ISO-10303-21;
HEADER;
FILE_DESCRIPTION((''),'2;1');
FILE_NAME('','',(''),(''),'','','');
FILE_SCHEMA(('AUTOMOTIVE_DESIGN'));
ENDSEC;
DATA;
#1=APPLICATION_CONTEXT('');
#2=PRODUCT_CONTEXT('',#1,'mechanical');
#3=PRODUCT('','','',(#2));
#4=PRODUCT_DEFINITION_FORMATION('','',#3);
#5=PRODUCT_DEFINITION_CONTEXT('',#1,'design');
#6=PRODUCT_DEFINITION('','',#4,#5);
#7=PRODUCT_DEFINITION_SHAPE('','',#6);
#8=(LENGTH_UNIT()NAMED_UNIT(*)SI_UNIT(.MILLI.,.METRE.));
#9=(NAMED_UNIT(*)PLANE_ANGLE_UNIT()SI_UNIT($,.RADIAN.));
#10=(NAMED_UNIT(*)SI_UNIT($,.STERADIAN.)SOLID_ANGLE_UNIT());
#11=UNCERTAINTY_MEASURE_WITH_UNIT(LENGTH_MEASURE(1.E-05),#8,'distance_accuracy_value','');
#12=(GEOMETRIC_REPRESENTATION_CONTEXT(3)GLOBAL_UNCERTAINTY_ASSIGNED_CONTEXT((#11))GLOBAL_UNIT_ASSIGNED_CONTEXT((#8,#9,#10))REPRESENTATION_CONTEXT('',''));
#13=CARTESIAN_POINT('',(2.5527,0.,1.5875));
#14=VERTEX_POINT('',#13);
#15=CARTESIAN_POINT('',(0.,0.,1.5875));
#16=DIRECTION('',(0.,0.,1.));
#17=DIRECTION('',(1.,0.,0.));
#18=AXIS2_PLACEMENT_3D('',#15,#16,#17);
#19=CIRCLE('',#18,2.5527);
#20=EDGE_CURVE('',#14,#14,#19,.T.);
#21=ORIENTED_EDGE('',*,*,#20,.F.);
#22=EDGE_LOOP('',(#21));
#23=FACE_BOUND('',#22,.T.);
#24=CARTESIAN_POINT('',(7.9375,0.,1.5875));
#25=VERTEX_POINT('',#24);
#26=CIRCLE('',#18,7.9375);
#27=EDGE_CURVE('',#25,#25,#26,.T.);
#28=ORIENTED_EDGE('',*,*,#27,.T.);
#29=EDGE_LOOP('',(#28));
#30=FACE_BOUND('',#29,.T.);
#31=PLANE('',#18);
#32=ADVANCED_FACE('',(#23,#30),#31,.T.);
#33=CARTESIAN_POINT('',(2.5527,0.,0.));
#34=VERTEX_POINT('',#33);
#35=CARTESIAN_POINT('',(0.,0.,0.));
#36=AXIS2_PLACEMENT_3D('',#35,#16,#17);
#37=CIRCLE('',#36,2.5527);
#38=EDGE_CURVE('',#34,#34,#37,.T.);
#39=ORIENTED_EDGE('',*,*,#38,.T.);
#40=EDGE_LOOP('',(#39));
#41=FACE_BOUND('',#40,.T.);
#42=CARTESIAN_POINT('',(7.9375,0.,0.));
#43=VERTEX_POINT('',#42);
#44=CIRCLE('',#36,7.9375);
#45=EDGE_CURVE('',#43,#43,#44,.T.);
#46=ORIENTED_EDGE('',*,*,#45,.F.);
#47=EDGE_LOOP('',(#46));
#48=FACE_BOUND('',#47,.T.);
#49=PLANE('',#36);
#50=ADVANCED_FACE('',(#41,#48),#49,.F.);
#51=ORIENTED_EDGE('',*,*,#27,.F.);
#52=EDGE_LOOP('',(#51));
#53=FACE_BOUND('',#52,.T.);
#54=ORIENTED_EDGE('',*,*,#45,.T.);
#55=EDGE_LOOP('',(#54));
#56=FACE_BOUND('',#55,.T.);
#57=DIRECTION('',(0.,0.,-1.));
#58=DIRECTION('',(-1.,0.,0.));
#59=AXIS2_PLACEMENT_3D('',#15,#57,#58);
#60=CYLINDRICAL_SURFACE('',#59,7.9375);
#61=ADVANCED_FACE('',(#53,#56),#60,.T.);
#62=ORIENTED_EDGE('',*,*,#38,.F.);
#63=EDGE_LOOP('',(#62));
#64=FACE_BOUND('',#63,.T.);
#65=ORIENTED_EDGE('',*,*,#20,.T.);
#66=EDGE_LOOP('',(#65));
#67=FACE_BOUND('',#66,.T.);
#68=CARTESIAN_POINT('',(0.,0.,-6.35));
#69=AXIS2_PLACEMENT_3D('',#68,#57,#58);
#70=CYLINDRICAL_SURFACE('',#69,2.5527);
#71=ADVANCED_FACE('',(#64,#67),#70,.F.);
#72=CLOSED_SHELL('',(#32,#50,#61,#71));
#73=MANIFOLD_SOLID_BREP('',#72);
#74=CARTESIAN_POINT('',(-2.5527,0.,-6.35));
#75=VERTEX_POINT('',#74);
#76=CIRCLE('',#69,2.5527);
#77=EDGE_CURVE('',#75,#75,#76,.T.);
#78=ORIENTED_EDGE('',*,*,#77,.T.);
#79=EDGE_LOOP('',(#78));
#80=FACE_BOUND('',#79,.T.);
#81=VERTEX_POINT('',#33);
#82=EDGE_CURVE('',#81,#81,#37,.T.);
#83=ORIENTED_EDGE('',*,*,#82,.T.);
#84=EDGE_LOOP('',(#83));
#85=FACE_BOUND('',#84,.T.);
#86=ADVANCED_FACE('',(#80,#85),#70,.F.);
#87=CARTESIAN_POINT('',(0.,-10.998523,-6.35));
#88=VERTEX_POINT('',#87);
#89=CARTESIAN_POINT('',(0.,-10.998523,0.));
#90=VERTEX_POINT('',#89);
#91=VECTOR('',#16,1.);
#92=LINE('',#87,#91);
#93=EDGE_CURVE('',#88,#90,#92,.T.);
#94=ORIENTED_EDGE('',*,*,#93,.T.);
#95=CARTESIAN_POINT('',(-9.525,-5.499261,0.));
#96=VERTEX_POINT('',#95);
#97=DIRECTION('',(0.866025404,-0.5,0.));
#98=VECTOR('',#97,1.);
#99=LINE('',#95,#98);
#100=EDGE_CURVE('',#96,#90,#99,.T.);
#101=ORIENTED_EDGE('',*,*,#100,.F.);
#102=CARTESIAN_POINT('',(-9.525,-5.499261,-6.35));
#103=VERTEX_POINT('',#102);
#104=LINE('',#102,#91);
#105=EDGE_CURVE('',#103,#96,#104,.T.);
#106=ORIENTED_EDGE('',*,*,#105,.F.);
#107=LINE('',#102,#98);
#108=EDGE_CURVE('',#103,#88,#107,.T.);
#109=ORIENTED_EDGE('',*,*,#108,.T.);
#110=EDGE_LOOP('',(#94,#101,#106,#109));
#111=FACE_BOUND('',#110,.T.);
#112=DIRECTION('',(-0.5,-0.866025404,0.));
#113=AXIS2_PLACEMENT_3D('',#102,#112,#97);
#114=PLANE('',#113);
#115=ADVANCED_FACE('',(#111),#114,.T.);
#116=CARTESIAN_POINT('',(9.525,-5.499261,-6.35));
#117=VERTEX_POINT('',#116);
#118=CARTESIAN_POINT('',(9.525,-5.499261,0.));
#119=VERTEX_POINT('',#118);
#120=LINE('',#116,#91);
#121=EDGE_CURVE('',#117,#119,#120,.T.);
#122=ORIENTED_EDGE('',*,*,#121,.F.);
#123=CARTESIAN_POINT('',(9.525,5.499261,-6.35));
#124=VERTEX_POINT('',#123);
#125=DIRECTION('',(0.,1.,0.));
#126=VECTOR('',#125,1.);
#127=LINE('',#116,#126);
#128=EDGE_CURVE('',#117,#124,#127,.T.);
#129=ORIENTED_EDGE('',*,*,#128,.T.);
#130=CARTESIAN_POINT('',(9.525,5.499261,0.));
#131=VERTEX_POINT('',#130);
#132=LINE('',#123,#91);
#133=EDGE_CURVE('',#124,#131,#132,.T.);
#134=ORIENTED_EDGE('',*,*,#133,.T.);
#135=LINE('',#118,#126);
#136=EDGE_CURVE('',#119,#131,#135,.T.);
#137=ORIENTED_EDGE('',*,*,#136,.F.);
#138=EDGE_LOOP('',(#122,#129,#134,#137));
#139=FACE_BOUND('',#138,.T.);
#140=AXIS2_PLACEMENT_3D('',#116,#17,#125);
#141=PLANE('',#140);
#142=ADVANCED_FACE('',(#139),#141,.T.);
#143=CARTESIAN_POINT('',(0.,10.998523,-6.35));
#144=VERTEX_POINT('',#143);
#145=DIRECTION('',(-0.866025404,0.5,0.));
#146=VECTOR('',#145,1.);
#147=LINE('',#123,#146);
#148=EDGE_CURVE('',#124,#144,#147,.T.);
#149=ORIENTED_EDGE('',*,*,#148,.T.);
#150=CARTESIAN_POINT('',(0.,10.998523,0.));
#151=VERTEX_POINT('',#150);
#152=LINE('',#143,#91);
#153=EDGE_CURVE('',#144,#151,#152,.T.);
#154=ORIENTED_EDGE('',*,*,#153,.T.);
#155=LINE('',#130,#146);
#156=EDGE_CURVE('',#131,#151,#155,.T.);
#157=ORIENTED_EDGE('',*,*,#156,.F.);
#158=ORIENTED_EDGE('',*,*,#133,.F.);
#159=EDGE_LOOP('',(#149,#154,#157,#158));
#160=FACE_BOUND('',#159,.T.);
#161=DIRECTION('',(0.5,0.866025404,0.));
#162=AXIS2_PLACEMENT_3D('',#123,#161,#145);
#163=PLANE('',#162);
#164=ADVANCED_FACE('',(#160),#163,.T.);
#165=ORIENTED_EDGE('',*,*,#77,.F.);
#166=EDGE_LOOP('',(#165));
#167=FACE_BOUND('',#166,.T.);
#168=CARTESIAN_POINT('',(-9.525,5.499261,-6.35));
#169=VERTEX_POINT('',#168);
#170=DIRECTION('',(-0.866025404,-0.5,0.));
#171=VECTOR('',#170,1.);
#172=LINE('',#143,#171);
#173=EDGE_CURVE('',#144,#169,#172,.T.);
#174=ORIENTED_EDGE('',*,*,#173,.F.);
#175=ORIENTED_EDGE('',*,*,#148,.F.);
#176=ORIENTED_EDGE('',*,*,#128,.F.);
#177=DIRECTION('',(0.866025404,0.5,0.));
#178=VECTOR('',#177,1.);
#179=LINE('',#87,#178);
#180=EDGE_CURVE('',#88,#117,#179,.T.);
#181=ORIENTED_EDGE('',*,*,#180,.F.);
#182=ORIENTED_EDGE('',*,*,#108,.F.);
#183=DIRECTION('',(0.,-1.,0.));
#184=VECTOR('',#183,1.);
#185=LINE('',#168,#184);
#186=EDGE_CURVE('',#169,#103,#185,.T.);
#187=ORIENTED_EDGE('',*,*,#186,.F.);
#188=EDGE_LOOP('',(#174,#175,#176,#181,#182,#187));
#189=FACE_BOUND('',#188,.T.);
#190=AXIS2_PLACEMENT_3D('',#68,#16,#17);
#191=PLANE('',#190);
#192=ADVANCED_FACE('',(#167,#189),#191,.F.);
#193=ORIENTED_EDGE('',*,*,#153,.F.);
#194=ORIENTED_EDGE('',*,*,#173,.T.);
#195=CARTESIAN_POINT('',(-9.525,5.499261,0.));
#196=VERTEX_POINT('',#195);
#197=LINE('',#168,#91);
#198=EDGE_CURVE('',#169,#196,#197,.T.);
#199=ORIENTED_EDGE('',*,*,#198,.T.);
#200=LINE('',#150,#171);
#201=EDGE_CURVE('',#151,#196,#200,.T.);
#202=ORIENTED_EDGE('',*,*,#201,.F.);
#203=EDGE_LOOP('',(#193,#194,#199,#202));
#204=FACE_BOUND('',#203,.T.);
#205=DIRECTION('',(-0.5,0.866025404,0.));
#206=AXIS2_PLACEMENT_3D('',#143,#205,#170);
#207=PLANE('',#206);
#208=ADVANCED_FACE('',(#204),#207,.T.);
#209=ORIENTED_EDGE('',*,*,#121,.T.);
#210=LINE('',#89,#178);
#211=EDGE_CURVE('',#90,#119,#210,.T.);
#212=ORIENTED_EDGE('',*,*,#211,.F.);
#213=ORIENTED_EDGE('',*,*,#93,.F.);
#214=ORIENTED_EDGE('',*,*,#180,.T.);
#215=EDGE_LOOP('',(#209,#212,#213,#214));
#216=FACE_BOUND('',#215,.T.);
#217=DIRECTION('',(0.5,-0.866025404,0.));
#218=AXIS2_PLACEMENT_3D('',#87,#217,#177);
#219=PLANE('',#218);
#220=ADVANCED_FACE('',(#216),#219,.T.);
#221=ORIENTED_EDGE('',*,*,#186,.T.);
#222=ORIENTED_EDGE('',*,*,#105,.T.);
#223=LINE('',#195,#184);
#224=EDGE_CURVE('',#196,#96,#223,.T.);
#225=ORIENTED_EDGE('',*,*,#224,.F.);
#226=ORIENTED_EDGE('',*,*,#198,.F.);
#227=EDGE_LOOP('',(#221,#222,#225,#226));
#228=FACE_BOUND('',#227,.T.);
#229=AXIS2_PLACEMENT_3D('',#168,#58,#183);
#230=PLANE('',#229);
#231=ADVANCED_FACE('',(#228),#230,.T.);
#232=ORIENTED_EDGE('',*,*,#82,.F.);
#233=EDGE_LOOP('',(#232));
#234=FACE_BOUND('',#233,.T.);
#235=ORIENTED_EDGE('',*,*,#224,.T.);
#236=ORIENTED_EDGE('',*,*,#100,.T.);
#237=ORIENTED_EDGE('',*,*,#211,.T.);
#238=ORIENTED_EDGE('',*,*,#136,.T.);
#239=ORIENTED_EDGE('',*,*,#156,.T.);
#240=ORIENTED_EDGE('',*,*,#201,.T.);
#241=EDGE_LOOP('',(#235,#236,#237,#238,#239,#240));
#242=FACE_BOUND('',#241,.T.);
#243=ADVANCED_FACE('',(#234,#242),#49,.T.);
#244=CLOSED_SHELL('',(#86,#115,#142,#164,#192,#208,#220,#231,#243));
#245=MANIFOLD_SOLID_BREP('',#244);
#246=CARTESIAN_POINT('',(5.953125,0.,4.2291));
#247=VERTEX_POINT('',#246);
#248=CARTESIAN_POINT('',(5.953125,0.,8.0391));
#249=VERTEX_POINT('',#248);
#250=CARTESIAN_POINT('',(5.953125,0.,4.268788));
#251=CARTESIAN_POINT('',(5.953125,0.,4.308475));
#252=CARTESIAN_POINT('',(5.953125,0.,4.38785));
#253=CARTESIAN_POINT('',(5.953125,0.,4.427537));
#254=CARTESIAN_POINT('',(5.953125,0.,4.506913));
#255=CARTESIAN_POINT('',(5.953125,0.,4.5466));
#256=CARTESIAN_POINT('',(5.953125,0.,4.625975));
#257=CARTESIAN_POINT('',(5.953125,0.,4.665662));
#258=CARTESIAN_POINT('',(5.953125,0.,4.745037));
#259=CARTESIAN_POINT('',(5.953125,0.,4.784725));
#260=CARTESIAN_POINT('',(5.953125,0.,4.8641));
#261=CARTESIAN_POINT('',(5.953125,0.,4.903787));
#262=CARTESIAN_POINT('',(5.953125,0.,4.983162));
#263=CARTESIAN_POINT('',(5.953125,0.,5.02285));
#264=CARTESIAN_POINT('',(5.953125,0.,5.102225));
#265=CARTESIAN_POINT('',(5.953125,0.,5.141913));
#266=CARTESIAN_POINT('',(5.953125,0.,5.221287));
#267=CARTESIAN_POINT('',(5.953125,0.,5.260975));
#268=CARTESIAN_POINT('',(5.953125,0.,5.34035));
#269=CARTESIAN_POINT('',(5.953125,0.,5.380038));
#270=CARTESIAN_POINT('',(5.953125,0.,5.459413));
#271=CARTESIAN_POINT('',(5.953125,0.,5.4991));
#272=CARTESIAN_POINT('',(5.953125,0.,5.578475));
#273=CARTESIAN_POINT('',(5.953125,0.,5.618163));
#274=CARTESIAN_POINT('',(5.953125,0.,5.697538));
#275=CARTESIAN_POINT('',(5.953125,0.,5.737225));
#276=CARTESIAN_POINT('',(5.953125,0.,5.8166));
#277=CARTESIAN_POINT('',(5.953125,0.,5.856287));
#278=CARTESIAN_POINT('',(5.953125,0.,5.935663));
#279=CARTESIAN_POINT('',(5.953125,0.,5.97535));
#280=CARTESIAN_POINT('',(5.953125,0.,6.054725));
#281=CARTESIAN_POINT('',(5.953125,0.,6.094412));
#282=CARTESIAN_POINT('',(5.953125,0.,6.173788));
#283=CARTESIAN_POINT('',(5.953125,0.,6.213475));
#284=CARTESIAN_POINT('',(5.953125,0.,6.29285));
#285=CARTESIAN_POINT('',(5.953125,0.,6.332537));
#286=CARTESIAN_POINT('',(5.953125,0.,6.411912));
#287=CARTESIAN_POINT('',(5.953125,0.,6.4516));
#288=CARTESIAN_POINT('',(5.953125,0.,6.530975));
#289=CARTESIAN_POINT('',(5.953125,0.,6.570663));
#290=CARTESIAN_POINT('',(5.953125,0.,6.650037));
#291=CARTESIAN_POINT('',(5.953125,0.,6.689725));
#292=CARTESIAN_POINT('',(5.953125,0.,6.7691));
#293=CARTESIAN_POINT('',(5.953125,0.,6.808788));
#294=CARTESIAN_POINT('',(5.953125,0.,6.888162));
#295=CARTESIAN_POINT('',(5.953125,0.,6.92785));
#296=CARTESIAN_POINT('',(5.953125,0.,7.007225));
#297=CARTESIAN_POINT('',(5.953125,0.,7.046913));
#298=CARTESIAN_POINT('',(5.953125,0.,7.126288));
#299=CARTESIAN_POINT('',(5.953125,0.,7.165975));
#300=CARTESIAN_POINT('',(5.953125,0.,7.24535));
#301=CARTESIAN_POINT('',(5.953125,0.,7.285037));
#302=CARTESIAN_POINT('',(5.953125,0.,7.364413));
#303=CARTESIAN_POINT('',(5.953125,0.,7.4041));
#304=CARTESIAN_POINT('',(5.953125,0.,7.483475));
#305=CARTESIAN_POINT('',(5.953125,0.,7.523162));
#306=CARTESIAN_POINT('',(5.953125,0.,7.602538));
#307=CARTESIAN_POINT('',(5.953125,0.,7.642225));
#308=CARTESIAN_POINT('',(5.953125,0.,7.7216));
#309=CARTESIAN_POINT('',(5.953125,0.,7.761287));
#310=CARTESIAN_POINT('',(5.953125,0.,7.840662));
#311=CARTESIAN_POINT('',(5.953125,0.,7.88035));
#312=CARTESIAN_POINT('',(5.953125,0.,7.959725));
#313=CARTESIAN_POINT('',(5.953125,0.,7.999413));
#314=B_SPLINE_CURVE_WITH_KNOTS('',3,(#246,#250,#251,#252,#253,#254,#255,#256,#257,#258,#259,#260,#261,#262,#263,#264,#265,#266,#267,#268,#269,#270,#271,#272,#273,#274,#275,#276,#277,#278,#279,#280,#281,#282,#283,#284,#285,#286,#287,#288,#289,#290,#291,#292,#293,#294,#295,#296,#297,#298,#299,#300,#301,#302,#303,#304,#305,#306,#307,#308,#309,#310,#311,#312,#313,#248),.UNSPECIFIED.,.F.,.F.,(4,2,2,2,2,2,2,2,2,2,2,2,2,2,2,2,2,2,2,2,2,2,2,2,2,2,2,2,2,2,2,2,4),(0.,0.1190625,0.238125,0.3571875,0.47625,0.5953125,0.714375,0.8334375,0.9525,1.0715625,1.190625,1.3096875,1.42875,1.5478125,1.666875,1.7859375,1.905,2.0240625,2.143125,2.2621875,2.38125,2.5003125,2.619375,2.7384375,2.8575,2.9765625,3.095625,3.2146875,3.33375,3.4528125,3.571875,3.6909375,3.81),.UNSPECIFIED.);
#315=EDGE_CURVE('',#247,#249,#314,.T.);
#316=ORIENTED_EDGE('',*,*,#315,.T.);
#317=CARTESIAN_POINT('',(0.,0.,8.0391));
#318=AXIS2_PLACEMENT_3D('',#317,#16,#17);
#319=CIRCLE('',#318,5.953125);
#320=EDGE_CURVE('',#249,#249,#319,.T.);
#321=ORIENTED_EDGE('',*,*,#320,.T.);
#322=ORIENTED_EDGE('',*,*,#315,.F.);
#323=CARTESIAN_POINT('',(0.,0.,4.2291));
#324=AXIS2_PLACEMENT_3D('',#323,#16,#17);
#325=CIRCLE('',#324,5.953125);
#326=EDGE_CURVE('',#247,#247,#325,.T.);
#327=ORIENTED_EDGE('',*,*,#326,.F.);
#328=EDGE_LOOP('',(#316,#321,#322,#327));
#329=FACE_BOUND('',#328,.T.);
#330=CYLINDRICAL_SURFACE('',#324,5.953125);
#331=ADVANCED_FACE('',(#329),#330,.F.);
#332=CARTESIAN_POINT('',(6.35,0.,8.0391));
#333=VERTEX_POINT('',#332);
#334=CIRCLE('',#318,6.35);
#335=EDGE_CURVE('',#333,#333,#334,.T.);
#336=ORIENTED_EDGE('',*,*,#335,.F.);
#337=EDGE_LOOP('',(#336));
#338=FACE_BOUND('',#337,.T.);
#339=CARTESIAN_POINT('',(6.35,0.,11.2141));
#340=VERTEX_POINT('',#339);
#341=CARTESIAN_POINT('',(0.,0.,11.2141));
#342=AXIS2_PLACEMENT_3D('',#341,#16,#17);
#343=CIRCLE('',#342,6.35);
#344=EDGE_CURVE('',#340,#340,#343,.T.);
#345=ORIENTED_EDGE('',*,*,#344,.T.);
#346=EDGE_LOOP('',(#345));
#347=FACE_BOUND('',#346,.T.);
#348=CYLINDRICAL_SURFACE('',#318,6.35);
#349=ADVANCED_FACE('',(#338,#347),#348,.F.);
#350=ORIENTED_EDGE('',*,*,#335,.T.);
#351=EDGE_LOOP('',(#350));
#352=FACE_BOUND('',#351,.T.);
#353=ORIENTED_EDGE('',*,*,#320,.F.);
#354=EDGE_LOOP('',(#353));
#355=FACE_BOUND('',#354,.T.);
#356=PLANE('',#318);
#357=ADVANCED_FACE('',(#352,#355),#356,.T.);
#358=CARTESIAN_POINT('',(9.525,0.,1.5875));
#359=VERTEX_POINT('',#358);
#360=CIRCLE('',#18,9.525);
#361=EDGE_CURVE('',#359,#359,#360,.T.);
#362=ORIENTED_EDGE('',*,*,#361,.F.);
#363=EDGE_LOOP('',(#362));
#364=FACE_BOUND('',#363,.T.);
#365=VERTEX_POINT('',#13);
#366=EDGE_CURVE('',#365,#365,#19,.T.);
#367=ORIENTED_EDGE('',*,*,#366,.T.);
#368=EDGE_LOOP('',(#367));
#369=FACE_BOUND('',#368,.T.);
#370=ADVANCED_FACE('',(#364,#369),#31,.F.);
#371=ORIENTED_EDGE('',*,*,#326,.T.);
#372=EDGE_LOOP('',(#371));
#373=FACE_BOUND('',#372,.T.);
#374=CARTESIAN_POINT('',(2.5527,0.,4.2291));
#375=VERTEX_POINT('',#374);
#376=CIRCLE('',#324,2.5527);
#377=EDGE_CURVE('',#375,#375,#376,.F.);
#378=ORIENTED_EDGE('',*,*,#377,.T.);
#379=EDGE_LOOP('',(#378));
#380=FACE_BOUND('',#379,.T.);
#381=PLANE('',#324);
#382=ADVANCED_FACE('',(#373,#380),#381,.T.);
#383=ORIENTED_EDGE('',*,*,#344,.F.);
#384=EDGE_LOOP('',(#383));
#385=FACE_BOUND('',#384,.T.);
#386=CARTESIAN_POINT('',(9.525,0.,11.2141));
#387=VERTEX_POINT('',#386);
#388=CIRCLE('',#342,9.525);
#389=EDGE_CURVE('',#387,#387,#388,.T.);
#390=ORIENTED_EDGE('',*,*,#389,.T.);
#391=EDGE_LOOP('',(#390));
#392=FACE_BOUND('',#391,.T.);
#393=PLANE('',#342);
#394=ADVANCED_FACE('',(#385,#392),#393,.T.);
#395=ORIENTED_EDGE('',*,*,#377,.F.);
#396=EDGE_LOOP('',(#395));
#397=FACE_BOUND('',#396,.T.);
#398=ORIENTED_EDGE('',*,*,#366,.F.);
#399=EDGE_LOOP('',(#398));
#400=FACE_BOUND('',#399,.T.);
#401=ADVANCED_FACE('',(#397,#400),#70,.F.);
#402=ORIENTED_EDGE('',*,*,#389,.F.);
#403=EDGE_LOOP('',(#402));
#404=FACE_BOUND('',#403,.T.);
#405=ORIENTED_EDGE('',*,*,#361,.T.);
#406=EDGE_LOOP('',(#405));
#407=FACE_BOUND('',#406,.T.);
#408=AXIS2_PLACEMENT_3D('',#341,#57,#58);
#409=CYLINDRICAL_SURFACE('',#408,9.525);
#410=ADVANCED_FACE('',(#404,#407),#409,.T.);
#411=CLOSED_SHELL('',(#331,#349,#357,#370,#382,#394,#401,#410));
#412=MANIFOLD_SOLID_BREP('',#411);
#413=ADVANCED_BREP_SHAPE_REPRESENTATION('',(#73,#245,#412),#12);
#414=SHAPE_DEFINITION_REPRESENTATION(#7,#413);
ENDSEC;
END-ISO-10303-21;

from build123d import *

# Parameters (mm, degrees)
BOSS_EXTRUDE1_DEPTH = 6.35
SKETCH2_R           = 7.9375
BOSS_EXTRUDE3_DEPTH = 1.5875
SKETCH7_R           = 9.525
BOSS_EXTRUDE4_DEPTH = 9.6266
SKETCH10_W          = 2.5527
SKETCH10_H          = 17.5641
SKETCH12_R          = 6.35
CUT_EXTRUDE5_DEPTH  = 3.175
SKETCH13_R          = 5.953125
CUT_EXTRUDE6_DEPTH  = 3.81


with BuildPart() as part:
    # Sketch1 → Boss-Extrude1 (new body)
    with BuildSketch(Plane.XY):
        Polygon((0, -10.998522628), (9.525, -5.499261314), (9.525, 5.499261314), (0, 10.998522628), (-9.525, 5.499261314), (-9.525, -5.499261314), align=None)
    extrude(amount=-BOSS_EXTRUDE1_DEPTH)


with BuildPart() as body_2:
    # Sketch2 → Boss-Extrude3 (new body)
    with BuildSketch(Plane.XY):
        Circle(SKETCH2_R)
    extrude(amount=BOSS_EXTRUDE3_DEPTH)


with BuildPart() as body_3:
    # Sketch7 → Boss-Extrude4 (new body)
    with BuildSketch(Plane.XY.offset(1.5875)):
        Circle(SKETCH7_R)
    extrude(amount=BOSS_EXTRUDE4_DEPTH)


with BuildPart() as f_1_4_20_tapped_hole1_tool:
    # Sketch10 → 1/4-20 Tapped Hole1 (revolve)
    with BuildSketch(Plane(origin=(0, 0, -6.35), x_dir=(0, 1, 0), z_dir=(1, 0, 0))):
        with Locations((1.27635, 8.78205)):
            Rectangle(SKETCH10_W, SKETCH10_H)
    revolve(axis=Axis((0, 0, -12.7), (0, 0, 1)))


with BuildPart() as part_1:
    add(part.part)

    # 1/4-20 Tapped Hole1: cut by f_1_4_20_tapped_hole1_tool
    add(f_1_4_20_tapped_hole1_tool.part, mode=Mode.SUBTRACT)


with BuildPart() as body_2_1:
    add(body_2.part)

    # 1/4-20 Tapped Hole1: cut by f_1_4_20_tapped_hole1_tool
    add(f_1_4_20_tapped_hole1_tool.part, mode=Mode.SUBTRACT)


with BuildPart() as body_3_1:
    add(body_3.part)

    # 1/4-20 Tapped Hole1: cut by f_1_4_20_tapped_hole1_tool
    add(f_1_4_20_tapped_hole1_tool.part, mode=Mode.SUBTRACT)

    # Sketch12 → Cut-Extrude5 (cut)
    with BuildSketch(Plane.XY.offset(11.2141)):
        Circle(SKETCH12_R)
    extrude(amount=-CUT_EXTRUDE5_DEPTH, mode=Mode.SUBTRACT)

    # Sketch13 → Cut-Extrude6 (cut)
    with BuildSketch(Plane.XY.offset(8.0391)):
        Circle(SKETCH13_R)
    extrude(amount=-CUT_EXTRUDE6_DEPTH, mode=Mode.SUBTRACT)


solid = Compound([part_1.part, body_2_1.part, body_3_1.part])
